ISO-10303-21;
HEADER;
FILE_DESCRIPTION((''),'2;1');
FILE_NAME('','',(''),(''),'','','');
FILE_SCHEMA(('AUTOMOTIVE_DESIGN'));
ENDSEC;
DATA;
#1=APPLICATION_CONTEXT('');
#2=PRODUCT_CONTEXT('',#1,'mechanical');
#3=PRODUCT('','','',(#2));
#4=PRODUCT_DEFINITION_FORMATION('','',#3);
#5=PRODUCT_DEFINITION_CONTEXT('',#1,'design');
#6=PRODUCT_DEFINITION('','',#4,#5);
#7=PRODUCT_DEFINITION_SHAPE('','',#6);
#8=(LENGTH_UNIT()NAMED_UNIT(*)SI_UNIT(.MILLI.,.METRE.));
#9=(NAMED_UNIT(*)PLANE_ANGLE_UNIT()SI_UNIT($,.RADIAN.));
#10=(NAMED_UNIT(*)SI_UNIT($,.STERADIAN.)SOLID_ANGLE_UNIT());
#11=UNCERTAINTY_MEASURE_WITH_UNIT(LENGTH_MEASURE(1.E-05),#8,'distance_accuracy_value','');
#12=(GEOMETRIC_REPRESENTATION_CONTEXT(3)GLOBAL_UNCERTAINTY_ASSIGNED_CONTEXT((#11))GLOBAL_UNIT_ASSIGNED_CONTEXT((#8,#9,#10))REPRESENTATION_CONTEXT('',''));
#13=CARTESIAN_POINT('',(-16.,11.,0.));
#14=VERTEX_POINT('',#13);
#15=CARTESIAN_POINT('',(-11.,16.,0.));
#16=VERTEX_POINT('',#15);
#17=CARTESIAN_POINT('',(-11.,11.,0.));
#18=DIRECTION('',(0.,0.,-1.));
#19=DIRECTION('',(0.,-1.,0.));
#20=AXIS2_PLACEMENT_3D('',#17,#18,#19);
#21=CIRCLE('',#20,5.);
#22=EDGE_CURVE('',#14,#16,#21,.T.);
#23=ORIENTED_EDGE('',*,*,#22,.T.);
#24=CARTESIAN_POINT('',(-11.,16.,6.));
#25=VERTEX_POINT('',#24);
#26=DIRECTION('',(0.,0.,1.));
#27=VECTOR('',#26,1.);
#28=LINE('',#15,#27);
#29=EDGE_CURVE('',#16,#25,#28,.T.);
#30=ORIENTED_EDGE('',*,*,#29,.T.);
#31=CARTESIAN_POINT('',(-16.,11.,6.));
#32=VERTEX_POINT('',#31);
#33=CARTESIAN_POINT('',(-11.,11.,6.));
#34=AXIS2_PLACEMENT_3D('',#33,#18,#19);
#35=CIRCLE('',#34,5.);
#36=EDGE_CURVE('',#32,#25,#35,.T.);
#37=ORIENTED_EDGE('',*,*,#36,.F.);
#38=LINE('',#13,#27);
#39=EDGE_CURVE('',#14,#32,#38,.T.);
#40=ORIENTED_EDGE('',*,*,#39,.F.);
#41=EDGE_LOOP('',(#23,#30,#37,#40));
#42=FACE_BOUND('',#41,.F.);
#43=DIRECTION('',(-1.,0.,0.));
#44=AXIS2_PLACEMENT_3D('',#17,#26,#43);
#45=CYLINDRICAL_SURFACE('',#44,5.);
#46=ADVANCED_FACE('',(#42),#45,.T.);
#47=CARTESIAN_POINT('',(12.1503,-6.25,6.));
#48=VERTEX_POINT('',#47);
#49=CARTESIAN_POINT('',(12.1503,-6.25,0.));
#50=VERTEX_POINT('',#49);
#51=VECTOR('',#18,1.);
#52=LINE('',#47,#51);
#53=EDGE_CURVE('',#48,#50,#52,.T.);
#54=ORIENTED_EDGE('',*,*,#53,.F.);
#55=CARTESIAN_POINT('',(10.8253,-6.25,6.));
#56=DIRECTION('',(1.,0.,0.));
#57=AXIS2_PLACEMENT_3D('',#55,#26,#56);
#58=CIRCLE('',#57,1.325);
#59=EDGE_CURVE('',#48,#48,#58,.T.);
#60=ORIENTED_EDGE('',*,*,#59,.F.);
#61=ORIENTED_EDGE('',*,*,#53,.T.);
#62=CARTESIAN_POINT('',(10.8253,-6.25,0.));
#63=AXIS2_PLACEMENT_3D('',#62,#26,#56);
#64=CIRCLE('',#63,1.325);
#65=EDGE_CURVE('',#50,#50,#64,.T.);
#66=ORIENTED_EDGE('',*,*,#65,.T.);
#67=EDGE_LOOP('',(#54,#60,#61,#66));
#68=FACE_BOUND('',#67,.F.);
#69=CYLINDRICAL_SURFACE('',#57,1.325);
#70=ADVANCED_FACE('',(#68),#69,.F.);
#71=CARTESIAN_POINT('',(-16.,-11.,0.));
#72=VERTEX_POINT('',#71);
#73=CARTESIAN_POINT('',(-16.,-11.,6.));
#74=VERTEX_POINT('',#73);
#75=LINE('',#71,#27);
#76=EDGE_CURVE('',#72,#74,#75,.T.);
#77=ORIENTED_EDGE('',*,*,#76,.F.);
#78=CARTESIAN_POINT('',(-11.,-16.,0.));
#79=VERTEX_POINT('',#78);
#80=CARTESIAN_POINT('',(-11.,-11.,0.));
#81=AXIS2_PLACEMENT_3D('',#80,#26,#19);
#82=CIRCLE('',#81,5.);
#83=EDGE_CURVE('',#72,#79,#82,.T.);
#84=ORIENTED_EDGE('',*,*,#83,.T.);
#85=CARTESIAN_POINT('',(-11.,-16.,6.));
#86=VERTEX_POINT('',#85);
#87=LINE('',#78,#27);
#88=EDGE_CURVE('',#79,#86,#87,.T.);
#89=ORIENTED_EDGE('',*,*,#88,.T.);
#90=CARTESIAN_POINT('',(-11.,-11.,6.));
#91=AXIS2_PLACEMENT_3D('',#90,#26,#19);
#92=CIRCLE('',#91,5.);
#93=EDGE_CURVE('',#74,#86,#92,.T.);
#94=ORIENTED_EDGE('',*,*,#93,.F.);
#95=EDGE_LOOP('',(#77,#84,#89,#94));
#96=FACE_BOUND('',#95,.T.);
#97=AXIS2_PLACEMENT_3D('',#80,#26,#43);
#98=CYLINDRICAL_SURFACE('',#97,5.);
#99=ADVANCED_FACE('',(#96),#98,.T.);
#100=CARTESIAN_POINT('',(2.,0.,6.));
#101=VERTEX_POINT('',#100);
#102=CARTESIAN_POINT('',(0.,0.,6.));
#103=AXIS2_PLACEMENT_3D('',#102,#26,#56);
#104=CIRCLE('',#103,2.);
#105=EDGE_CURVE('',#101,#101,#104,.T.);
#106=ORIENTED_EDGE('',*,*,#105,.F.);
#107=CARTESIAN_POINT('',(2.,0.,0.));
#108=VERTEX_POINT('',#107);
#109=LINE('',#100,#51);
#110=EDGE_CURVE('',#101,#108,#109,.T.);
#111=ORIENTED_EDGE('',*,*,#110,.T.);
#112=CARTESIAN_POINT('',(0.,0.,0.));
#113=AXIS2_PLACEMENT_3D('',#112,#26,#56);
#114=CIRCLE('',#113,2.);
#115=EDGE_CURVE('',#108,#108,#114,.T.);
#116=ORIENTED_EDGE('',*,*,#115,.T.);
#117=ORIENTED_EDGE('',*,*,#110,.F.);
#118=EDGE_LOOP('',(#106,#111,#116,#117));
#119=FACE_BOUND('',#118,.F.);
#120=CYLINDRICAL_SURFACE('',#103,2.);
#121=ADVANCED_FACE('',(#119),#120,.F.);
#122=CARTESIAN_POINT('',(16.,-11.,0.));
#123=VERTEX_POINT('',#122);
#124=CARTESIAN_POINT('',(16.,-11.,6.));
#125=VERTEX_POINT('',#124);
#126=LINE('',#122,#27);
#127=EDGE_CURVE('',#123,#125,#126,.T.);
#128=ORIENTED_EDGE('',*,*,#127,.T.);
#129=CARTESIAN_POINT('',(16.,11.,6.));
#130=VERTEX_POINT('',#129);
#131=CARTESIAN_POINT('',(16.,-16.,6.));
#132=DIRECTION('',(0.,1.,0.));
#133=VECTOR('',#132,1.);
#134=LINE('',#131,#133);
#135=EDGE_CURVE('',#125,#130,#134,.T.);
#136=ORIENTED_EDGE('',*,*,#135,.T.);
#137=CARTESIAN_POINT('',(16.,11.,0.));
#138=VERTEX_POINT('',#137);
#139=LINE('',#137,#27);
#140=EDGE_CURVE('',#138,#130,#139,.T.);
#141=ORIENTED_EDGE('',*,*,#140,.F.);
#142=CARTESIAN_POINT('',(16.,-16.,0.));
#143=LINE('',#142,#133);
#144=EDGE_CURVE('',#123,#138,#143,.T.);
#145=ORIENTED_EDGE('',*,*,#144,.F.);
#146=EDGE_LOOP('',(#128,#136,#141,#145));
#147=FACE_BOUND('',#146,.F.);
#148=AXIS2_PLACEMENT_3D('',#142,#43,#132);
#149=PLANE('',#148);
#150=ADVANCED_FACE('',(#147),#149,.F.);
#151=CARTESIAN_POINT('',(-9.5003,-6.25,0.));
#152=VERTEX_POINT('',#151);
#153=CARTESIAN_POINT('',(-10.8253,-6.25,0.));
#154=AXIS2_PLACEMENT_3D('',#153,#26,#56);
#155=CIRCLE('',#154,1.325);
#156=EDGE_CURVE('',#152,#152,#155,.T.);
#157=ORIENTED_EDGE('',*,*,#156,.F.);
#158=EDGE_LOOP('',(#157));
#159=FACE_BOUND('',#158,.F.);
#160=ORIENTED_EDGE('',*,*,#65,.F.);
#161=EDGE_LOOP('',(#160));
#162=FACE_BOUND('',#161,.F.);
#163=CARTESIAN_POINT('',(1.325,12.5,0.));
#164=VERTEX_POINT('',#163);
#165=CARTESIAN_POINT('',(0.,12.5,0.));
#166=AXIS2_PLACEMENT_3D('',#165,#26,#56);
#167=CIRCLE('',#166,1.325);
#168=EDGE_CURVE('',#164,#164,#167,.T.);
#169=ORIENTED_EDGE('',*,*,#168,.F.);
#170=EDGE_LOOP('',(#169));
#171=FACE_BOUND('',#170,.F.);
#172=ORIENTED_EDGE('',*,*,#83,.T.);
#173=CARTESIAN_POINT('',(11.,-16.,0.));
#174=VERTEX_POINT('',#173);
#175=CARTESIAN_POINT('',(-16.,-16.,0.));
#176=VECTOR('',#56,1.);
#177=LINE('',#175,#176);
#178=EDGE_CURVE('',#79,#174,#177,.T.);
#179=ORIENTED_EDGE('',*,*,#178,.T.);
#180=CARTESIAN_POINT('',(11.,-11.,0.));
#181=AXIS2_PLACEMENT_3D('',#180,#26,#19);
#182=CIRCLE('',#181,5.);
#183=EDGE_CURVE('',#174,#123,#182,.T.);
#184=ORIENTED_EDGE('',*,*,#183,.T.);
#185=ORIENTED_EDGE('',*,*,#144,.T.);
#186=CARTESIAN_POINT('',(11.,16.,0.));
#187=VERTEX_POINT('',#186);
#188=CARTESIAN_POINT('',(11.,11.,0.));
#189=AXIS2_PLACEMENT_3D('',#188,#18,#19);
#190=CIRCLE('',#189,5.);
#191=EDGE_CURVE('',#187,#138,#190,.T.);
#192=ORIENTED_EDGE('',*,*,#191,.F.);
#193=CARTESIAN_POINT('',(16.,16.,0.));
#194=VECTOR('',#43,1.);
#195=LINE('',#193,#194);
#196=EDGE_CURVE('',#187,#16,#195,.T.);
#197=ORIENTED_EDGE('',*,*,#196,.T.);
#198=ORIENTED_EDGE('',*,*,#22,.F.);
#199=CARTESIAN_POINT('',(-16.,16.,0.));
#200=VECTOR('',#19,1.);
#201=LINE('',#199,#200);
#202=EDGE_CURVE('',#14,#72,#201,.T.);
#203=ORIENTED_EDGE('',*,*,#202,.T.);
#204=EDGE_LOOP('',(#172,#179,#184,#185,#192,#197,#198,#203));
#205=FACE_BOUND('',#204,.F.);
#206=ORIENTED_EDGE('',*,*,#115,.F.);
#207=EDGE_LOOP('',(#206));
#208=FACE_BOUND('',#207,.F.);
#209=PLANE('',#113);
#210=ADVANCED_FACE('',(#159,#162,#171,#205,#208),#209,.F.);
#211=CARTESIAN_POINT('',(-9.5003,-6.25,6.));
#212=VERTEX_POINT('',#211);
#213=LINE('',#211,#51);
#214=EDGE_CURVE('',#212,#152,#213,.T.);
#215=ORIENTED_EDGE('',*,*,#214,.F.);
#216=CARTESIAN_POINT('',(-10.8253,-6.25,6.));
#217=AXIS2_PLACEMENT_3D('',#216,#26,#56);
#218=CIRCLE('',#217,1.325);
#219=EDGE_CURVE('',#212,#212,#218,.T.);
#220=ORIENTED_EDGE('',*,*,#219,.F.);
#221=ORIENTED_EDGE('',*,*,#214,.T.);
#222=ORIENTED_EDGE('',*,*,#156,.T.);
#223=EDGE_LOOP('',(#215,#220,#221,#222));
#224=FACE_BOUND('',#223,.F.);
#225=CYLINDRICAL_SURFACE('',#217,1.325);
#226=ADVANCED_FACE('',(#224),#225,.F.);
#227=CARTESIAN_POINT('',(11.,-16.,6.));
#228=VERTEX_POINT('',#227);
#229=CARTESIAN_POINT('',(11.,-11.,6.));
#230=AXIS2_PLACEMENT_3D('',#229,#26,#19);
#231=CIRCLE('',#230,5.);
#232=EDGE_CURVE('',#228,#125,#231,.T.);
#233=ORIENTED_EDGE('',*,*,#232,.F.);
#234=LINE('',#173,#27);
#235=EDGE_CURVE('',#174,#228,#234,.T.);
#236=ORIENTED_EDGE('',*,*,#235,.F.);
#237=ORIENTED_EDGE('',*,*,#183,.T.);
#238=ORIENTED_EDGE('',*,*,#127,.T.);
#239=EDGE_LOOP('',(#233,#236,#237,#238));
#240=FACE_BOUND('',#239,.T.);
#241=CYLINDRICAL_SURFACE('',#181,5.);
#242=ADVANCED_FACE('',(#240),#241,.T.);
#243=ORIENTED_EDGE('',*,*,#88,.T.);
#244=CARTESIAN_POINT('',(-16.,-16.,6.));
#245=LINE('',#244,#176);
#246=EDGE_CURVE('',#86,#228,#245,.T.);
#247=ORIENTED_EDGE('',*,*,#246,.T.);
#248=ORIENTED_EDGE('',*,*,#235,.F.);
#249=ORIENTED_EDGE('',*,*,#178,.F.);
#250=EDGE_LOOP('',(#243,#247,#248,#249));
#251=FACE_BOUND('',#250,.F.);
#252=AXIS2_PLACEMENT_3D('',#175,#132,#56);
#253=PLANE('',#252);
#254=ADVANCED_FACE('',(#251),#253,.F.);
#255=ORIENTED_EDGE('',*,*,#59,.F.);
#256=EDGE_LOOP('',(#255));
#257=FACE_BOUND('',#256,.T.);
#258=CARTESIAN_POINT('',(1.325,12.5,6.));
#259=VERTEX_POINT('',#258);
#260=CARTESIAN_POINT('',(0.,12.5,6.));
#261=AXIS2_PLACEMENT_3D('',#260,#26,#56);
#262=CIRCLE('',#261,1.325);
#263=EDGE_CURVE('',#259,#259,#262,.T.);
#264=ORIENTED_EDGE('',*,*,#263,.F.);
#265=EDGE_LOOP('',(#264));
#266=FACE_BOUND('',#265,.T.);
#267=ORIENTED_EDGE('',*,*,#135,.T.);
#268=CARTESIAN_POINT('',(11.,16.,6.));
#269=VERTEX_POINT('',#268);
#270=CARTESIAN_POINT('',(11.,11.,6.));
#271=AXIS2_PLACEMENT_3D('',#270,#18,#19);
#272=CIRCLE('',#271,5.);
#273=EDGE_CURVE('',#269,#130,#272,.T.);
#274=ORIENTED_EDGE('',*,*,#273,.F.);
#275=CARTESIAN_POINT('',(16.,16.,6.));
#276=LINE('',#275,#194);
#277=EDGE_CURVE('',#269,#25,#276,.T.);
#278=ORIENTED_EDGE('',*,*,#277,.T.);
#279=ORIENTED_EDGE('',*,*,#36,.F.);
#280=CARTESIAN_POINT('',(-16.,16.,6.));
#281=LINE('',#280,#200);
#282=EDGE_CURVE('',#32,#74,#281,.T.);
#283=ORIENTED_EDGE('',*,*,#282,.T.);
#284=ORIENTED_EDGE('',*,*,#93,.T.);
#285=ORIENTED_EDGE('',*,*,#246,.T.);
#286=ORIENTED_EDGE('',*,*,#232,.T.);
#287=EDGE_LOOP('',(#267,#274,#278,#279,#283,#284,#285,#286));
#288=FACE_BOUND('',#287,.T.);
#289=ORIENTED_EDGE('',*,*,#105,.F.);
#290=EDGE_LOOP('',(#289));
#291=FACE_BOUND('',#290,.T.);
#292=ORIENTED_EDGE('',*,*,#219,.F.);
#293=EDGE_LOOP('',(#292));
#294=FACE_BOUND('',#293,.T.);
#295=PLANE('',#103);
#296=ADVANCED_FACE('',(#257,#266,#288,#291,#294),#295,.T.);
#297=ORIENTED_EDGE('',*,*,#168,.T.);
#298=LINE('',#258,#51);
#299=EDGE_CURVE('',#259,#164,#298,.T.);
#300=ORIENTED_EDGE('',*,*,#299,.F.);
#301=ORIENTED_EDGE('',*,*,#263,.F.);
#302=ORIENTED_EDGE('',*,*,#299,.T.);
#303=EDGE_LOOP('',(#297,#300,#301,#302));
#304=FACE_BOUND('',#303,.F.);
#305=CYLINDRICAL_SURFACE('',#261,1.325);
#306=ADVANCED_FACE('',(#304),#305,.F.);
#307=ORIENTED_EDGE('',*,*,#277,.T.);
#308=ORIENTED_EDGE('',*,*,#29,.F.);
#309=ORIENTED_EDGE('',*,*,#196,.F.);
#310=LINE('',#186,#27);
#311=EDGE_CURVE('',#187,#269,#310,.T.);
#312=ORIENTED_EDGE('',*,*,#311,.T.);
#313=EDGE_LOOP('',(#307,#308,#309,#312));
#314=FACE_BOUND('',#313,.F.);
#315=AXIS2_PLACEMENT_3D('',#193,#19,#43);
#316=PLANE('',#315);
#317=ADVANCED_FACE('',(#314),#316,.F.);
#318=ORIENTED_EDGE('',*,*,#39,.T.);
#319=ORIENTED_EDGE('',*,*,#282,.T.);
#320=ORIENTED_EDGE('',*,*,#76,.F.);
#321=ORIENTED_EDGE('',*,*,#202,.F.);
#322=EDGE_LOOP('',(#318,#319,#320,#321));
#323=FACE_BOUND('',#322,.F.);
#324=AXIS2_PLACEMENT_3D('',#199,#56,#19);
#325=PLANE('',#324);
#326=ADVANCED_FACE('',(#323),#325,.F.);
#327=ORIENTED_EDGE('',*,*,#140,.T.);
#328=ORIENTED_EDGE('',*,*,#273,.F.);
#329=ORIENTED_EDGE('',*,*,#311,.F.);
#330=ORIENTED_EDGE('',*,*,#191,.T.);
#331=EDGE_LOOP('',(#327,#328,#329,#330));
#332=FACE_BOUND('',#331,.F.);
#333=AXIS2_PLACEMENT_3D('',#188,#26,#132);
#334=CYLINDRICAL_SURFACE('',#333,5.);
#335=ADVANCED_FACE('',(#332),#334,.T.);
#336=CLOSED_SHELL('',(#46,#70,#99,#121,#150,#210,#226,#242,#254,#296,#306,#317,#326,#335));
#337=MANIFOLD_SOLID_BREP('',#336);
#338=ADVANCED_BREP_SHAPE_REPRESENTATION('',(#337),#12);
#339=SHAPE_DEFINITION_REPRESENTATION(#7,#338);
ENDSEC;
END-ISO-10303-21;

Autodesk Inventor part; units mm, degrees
ref_plane "YZ Plane" through (0, 0, 0) normal (1, 0, 0) x (0, 1, 0)
ref_plane "XZ Plane" through (0, 0, 0) normal (0, 1, 0) x (-1, 0, 0)
ref_plane "XY Plane" through (0, 0, 0) normal (0, 0, 1) x (1, 0, 0)
sketch "Sketch1" plane through (0, 0, 0) normal (0, 0, 1) x (1, 0, 0)
  circle A0 centre (0, 0) radius 16 construction
  line L0 (-16, -16) -> (16, -16)
  line L1 (16, -16) -> (16, 16)
  line L2 (16, 16) -> (-16, 16)
  line L3 (-16, 16) -> (-16, -16)
  line L4 (-16, -16) -> (16, 16) construction
  line L5 (16, -16) -> (-16, 16) construction
  dimension "d0" = 32
extrude "Extrusion1" add sketch "Sketch1" along normal blind 6
sketch "Sketch2" plane through (0, 0, 6) normal (0, 0, 1) x (1, 0, 0)
  circle A0 centre (0, 0) radius 2
  dimension "d3" = 4
extrude "Extrusion2" cut sketch "Sketch2" against normal up to surface (6 mm away)
fillet "Fillet1" radius 5 4 edges at (16, 16, 3) (16, -16, 3) (-16, -16, 3) (-16, 16, 3)
sketch "Sketch3" plane through (0, 0, 6) normal (0, 0, 1) x (1, 0, 0)
  circle A0 centre (0, 0) radius 2 construction
  circle A1 centre (0, 0) radius 12.5 construction
  line L0 (0, -22.4) -> (0, 22.4) construction
  line L1 (-22.4, 0) -> (22.4, 0) construction
  circle A2 centre (0, 12.5) radius 1.325
  circle A3 centre (10.8253, -6.25) radius 1.325
  circle A4 centre (-10.8253, -6.25) radius 1.325
  line L2 (0, 0) -> (22.5547, -13.0219) construction
  line L3 (0, 0) -> (-20.3118, -11.727) construction
  dimension "d7" = 25
  dimension "d8" = 2.65
  dimension "d9" = 2.65
  dimension "d10" = 2.65
  dimension "d11" = 30
  dimension "d12" = 30
extrude "Extrusion3" cut sketch "Sketch3" against normal through all
equation "\"d9\" = d8"
equation "\"d10\" = d8"
properties part number "MiddleStandOff"
